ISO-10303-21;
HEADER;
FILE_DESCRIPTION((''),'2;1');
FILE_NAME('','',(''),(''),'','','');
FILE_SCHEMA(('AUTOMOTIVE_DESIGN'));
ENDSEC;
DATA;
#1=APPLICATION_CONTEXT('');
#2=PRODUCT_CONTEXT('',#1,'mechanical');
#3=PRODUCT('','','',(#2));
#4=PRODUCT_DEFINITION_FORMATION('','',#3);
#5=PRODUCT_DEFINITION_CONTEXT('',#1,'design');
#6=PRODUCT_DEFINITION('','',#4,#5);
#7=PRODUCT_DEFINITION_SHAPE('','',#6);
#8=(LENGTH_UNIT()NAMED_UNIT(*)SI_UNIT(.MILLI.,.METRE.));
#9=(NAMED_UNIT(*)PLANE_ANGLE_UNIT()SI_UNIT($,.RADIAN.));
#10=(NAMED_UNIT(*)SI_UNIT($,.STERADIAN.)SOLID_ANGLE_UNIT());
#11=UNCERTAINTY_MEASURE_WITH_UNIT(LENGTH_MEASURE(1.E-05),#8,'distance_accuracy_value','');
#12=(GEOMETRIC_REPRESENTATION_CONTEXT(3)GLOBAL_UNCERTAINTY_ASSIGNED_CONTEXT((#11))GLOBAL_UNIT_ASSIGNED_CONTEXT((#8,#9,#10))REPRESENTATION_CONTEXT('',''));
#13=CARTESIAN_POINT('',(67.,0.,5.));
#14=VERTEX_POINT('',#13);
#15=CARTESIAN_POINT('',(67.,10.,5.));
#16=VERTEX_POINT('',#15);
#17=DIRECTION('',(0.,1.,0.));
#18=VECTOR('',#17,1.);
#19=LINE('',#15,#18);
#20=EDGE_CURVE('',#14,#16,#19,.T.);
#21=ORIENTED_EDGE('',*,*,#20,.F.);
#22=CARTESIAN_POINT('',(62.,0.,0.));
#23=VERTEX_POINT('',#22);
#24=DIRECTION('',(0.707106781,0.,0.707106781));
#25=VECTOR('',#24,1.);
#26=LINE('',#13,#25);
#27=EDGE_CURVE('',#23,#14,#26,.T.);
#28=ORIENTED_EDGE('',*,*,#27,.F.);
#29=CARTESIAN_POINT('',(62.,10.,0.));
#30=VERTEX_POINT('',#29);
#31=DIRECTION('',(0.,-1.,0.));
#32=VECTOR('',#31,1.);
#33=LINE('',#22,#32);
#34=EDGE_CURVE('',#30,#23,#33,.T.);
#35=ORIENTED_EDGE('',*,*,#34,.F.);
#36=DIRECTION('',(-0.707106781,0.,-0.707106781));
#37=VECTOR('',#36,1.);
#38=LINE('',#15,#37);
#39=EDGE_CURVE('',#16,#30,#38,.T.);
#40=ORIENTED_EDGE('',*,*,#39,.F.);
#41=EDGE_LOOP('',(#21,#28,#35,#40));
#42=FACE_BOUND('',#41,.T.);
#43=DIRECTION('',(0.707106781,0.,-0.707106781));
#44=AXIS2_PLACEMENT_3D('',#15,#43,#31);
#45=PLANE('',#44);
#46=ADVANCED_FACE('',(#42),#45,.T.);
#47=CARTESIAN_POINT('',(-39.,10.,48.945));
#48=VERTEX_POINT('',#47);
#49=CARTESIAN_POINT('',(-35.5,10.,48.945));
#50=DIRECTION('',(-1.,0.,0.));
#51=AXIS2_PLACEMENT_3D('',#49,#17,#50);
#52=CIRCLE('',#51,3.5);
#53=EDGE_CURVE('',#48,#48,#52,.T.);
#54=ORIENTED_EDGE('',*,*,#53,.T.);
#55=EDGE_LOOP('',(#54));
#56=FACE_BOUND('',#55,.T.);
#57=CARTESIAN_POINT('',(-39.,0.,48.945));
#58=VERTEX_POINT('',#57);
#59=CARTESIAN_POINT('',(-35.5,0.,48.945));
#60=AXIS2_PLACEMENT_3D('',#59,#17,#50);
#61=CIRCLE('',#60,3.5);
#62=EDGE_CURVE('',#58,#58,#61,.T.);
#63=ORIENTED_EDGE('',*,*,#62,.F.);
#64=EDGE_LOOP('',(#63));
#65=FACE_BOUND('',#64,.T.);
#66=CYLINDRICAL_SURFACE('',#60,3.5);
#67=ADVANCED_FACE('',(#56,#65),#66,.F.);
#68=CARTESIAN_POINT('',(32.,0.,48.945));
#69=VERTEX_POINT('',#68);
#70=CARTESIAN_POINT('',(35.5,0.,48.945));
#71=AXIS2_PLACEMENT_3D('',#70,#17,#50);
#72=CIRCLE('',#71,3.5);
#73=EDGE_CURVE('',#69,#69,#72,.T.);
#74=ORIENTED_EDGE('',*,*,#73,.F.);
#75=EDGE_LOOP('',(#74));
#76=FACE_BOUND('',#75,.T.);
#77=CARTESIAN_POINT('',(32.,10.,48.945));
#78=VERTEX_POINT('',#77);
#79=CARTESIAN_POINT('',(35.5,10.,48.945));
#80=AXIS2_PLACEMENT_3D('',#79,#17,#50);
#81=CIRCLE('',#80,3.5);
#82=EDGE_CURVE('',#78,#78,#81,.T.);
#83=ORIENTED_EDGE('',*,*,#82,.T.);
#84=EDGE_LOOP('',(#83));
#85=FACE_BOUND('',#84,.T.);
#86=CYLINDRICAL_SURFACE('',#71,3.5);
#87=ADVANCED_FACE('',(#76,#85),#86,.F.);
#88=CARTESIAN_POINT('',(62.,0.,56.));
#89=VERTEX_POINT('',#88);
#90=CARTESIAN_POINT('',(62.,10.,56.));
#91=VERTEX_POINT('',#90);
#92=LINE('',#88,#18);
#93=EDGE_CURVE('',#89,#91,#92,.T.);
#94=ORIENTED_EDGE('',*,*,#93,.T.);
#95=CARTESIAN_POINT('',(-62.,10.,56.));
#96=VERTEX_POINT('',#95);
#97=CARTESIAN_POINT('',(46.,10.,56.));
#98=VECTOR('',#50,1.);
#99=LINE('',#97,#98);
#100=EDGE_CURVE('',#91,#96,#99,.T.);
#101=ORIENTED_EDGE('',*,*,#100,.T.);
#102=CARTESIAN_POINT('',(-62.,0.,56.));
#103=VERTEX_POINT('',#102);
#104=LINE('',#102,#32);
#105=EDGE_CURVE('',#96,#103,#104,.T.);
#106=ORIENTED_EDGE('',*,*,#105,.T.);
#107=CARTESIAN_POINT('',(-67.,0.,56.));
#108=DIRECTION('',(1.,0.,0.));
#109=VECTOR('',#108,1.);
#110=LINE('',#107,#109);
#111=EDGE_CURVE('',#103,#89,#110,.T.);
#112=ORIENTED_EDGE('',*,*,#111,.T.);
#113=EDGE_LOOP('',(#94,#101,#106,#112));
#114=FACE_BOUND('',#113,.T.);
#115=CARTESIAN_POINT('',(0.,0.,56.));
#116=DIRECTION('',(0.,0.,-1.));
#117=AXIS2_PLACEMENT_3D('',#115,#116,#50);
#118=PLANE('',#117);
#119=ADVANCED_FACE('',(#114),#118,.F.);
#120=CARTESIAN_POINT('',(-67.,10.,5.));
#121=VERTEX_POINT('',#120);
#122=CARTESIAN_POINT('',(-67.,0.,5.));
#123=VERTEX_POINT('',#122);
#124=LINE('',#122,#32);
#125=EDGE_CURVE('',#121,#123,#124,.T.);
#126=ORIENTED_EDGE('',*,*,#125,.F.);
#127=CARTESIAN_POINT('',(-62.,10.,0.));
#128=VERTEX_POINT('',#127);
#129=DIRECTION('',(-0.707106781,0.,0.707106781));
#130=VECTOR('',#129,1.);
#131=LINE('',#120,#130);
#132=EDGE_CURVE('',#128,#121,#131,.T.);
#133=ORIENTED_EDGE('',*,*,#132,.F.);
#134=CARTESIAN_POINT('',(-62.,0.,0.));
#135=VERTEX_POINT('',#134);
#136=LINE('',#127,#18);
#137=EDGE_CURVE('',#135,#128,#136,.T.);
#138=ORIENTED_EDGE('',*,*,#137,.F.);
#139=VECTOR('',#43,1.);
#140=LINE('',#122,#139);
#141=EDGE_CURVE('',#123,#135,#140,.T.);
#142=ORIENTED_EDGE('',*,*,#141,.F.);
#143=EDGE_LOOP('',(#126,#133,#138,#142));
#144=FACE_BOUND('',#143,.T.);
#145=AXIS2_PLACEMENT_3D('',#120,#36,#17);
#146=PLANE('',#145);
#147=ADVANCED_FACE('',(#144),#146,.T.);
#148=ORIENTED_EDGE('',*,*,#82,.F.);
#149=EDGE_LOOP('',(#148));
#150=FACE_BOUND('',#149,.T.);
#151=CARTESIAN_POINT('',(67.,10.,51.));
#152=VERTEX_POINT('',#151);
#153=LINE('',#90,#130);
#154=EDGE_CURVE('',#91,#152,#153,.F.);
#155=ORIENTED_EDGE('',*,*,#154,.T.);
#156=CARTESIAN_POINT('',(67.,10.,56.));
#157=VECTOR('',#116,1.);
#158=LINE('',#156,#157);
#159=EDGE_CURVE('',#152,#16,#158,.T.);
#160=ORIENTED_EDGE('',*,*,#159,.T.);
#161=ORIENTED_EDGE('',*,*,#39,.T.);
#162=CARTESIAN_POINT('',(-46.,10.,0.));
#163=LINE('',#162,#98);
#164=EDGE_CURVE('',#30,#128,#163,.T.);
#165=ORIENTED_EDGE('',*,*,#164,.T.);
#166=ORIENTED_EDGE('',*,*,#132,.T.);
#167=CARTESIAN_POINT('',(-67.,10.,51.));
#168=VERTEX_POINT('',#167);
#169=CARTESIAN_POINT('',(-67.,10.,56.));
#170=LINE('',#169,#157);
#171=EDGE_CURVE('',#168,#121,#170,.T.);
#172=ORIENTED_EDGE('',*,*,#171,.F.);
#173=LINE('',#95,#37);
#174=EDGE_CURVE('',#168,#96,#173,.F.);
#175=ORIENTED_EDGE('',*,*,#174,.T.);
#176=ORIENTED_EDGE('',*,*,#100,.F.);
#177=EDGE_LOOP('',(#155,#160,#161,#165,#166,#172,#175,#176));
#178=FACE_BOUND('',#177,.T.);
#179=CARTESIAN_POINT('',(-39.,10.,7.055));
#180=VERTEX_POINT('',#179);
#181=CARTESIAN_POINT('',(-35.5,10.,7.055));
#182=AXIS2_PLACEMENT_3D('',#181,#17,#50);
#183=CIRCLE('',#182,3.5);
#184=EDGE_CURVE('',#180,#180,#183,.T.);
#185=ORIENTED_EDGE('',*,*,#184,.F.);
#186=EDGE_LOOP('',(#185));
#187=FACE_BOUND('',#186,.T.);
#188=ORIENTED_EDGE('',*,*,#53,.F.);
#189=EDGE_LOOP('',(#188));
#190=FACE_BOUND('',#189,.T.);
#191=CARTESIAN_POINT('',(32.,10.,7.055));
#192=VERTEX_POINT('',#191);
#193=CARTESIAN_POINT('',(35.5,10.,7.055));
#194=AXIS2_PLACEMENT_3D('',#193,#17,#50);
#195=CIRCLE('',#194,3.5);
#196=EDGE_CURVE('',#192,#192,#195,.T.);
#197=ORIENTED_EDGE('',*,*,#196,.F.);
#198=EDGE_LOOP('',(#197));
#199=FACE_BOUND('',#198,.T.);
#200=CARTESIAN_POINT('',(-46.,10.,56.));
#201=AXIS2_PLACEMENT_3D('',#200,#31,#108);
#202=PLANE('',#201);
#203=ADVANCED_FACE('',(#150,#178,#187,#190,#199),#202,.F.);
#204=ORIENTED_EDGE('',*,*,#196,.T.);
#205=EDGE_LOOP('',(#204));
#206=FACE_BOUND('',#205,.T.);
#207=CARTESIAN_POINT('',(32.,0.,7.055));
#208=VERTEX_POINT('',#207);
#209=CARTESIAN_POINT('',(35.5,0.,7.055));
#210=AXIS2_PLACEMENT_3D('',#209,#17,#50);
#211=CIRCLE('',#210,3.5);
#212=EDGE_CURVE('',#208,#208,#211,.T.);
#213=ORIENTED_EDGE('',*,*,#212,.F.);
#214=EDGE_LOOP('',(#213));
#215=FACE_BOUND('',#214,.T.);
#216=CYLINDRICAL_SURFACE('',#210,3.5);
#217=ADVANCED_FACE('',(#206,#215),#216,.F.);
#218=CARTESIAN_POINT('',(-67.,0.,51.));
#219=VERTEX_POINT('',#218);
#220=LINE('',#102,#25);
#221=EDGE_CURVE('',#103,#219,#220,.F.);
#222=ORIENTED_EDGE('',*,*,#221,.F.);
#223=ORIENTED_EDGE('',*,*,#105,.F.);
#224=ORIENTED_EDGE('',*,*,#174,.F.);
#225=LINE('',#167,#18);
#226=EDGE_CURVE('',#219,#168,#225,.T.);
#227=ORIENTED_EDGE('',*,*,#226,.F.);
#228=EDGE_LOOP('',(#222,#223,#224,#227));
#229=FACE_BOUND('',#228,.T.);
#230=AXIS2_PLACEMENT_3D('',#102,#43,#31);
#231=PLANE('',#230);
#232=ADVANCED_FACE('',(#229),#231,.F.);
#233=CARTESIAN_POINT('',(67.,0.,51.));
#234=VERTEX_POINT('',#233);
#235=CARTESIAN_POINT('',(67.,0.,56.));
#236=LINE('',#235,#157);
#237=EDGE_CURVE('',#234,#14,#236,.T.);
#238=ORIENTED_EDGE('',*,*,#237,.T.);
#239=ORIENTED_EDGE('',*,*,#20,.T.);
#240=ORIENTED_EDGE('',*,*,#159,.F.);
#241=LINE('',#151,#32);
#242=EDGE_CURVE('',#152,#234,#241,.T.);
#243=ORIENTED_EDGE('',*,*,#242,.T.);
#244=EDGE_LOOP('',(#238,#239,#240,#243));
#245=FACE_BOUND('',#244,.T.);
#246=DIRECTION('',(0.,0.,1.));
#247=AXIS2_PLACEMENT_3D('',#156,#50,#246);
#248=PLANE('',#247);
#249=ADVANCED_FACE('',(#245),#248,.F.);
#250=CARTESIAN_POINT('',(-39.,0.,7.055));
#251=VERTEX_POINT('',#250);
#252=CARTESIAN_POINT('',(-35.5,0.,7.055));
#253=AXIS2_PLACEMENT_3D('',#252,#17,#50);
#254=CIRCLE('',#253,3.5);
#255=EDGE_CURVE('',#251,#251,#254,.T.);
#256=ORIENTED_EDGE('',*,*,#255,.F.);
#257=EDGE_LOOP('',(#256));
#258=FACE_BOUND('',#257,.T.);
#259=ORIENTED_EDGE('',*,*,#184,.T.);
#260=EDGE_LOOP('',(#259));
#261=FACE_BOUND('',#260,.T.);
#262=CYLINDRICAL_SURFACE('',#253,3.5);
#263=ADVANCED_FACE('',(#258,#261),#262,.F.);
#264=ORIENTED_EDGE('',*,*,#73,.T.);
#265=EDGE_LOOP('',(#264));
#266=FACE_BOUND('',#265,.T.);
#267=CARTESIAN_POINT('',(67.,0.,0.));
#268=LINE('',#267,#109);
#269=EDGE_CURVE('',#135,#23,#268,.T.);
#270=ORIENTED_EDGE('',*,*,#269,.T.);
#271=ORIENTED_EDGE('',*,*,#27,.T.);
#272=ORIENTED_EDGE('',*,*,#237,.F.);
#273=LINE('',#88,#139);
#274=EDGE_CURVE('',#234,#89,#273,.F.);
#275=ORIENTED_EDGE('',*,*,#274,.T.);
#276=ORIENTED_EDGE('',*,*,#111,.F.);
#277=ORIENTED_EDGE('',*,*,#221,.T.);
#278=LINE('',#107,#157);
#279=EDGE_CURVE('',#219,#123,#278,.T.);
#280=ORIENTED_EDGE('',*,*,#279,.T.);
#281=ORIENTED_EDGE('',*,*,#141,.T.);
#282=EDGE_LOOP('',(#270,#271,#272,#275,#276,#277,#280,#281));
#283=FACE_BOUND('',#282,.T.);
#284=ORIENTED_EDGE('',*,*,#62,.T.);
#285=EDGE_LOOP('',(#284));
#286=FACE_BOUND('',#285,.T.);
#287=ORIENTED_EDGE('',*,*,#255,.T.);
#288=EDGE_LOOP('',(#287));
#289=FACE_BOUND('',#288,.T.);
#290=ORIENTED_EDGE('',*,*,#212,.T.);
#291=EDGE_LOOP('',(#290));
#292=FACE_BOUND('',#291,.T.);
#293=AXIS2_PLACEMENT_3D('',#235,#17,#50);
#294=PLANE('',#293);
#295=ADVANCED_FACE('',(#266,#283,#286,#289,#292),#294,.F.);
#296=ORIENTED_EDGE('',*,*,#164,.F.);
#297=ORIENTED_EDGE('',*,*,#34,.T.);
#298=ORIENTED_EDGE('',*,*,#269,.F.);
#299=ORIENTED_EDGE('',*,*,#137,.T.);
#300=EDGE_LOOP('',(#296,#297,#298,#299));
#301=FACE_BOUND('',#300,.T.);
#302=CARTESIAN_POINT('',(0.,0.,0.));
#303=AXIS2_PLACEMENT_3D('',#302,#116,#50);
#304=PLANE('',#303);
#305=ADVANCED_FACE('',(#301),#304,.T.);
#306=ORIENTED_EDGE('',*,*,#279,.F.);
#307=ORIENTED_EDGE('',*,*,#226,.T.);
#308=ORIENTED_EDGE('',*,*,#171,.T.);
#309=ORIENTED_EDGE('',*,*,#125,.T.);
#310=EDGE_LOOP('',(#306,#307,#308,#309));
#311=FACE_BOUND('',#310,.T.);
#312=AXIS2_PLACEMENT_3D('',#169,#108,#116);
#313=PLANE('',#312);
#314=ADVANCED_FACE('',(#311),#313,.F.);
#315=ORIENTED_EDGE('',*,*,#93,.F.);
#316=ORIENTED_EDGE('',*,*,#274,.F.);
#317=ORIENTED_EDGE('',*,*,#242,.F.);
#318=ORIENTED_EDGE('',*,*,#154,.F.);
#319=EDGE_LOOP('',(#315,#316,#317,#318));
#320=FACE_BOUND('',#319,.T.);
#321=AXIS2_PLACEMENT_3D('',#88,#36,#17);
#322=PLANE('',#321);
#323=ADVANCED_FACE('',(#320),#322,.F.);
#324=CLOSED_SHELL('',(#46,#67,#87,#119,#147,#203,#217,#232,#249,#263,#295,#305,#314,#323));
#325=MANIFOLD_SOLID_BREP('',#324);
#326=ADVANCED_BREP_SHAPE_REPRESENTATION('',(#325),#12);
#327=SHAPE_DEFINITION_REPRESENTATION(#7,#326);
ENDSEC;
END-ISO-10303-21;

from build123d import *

# Parameters (mm, degrees)
BOSS_EXTRUDE1_DEPTH = 56
SKETCH3_R           = 3.5
CUT_EXTRUDE1_DEPTH  = 10
CHAMFER1_SIZE       = 5


with BuildPart() as part:
    # Sketch2 → Boss-Extrude1 (new body)
    with BuildSketch(Plane.XY):
        Polygon((46, 10), (-46, 10), (-67, 10), (-67, 0), (-45, 0), (45, 0), (67, 0), (67, 10), align=None)
    extrude(amount=BOSS_EXTRUDE1_DEPTH)

    # Sketch3 → Cut-Extrude1 (cut)
    with BuildSketch(Plane(origin=(0, 10, 0), x_dir=(1, 0, 0), z_dir=(0, 1, 0))):
        with Locations(Location((-35.5, -7.055, 0), (0, 0, 180))):
            Circle(SKETCH3_R)
        with Locations(Location((35.5, -7.055, 0), (0, 0, 180))):
            Circle(SKETCH3_R)
        with Locations(Location((-35.5, -48.945, 0), (0, 0, 180))):
            Circle(SKETCH3_R)
        with Locations(Location((35.5, -48.945, 0), (0, 0, 180))):
            Circle(SKETCH3_R)
    extrude(amount=-CUT_EXTRUDE1_DEPTH, mode=Mode.SUBTRACT)

    # Chamfer1
    chamfer1_edges = [part.edges().sort_by_distance(p)[0] for p in [
        (67, 5, 0),
        (-67, 5, 56),
        (67, 5, 56),
        (-67, 5, 0),
    ]]
    chamfer(chamfer1_edges, length=CHAMFER1_SIZE)


solid = part.part
